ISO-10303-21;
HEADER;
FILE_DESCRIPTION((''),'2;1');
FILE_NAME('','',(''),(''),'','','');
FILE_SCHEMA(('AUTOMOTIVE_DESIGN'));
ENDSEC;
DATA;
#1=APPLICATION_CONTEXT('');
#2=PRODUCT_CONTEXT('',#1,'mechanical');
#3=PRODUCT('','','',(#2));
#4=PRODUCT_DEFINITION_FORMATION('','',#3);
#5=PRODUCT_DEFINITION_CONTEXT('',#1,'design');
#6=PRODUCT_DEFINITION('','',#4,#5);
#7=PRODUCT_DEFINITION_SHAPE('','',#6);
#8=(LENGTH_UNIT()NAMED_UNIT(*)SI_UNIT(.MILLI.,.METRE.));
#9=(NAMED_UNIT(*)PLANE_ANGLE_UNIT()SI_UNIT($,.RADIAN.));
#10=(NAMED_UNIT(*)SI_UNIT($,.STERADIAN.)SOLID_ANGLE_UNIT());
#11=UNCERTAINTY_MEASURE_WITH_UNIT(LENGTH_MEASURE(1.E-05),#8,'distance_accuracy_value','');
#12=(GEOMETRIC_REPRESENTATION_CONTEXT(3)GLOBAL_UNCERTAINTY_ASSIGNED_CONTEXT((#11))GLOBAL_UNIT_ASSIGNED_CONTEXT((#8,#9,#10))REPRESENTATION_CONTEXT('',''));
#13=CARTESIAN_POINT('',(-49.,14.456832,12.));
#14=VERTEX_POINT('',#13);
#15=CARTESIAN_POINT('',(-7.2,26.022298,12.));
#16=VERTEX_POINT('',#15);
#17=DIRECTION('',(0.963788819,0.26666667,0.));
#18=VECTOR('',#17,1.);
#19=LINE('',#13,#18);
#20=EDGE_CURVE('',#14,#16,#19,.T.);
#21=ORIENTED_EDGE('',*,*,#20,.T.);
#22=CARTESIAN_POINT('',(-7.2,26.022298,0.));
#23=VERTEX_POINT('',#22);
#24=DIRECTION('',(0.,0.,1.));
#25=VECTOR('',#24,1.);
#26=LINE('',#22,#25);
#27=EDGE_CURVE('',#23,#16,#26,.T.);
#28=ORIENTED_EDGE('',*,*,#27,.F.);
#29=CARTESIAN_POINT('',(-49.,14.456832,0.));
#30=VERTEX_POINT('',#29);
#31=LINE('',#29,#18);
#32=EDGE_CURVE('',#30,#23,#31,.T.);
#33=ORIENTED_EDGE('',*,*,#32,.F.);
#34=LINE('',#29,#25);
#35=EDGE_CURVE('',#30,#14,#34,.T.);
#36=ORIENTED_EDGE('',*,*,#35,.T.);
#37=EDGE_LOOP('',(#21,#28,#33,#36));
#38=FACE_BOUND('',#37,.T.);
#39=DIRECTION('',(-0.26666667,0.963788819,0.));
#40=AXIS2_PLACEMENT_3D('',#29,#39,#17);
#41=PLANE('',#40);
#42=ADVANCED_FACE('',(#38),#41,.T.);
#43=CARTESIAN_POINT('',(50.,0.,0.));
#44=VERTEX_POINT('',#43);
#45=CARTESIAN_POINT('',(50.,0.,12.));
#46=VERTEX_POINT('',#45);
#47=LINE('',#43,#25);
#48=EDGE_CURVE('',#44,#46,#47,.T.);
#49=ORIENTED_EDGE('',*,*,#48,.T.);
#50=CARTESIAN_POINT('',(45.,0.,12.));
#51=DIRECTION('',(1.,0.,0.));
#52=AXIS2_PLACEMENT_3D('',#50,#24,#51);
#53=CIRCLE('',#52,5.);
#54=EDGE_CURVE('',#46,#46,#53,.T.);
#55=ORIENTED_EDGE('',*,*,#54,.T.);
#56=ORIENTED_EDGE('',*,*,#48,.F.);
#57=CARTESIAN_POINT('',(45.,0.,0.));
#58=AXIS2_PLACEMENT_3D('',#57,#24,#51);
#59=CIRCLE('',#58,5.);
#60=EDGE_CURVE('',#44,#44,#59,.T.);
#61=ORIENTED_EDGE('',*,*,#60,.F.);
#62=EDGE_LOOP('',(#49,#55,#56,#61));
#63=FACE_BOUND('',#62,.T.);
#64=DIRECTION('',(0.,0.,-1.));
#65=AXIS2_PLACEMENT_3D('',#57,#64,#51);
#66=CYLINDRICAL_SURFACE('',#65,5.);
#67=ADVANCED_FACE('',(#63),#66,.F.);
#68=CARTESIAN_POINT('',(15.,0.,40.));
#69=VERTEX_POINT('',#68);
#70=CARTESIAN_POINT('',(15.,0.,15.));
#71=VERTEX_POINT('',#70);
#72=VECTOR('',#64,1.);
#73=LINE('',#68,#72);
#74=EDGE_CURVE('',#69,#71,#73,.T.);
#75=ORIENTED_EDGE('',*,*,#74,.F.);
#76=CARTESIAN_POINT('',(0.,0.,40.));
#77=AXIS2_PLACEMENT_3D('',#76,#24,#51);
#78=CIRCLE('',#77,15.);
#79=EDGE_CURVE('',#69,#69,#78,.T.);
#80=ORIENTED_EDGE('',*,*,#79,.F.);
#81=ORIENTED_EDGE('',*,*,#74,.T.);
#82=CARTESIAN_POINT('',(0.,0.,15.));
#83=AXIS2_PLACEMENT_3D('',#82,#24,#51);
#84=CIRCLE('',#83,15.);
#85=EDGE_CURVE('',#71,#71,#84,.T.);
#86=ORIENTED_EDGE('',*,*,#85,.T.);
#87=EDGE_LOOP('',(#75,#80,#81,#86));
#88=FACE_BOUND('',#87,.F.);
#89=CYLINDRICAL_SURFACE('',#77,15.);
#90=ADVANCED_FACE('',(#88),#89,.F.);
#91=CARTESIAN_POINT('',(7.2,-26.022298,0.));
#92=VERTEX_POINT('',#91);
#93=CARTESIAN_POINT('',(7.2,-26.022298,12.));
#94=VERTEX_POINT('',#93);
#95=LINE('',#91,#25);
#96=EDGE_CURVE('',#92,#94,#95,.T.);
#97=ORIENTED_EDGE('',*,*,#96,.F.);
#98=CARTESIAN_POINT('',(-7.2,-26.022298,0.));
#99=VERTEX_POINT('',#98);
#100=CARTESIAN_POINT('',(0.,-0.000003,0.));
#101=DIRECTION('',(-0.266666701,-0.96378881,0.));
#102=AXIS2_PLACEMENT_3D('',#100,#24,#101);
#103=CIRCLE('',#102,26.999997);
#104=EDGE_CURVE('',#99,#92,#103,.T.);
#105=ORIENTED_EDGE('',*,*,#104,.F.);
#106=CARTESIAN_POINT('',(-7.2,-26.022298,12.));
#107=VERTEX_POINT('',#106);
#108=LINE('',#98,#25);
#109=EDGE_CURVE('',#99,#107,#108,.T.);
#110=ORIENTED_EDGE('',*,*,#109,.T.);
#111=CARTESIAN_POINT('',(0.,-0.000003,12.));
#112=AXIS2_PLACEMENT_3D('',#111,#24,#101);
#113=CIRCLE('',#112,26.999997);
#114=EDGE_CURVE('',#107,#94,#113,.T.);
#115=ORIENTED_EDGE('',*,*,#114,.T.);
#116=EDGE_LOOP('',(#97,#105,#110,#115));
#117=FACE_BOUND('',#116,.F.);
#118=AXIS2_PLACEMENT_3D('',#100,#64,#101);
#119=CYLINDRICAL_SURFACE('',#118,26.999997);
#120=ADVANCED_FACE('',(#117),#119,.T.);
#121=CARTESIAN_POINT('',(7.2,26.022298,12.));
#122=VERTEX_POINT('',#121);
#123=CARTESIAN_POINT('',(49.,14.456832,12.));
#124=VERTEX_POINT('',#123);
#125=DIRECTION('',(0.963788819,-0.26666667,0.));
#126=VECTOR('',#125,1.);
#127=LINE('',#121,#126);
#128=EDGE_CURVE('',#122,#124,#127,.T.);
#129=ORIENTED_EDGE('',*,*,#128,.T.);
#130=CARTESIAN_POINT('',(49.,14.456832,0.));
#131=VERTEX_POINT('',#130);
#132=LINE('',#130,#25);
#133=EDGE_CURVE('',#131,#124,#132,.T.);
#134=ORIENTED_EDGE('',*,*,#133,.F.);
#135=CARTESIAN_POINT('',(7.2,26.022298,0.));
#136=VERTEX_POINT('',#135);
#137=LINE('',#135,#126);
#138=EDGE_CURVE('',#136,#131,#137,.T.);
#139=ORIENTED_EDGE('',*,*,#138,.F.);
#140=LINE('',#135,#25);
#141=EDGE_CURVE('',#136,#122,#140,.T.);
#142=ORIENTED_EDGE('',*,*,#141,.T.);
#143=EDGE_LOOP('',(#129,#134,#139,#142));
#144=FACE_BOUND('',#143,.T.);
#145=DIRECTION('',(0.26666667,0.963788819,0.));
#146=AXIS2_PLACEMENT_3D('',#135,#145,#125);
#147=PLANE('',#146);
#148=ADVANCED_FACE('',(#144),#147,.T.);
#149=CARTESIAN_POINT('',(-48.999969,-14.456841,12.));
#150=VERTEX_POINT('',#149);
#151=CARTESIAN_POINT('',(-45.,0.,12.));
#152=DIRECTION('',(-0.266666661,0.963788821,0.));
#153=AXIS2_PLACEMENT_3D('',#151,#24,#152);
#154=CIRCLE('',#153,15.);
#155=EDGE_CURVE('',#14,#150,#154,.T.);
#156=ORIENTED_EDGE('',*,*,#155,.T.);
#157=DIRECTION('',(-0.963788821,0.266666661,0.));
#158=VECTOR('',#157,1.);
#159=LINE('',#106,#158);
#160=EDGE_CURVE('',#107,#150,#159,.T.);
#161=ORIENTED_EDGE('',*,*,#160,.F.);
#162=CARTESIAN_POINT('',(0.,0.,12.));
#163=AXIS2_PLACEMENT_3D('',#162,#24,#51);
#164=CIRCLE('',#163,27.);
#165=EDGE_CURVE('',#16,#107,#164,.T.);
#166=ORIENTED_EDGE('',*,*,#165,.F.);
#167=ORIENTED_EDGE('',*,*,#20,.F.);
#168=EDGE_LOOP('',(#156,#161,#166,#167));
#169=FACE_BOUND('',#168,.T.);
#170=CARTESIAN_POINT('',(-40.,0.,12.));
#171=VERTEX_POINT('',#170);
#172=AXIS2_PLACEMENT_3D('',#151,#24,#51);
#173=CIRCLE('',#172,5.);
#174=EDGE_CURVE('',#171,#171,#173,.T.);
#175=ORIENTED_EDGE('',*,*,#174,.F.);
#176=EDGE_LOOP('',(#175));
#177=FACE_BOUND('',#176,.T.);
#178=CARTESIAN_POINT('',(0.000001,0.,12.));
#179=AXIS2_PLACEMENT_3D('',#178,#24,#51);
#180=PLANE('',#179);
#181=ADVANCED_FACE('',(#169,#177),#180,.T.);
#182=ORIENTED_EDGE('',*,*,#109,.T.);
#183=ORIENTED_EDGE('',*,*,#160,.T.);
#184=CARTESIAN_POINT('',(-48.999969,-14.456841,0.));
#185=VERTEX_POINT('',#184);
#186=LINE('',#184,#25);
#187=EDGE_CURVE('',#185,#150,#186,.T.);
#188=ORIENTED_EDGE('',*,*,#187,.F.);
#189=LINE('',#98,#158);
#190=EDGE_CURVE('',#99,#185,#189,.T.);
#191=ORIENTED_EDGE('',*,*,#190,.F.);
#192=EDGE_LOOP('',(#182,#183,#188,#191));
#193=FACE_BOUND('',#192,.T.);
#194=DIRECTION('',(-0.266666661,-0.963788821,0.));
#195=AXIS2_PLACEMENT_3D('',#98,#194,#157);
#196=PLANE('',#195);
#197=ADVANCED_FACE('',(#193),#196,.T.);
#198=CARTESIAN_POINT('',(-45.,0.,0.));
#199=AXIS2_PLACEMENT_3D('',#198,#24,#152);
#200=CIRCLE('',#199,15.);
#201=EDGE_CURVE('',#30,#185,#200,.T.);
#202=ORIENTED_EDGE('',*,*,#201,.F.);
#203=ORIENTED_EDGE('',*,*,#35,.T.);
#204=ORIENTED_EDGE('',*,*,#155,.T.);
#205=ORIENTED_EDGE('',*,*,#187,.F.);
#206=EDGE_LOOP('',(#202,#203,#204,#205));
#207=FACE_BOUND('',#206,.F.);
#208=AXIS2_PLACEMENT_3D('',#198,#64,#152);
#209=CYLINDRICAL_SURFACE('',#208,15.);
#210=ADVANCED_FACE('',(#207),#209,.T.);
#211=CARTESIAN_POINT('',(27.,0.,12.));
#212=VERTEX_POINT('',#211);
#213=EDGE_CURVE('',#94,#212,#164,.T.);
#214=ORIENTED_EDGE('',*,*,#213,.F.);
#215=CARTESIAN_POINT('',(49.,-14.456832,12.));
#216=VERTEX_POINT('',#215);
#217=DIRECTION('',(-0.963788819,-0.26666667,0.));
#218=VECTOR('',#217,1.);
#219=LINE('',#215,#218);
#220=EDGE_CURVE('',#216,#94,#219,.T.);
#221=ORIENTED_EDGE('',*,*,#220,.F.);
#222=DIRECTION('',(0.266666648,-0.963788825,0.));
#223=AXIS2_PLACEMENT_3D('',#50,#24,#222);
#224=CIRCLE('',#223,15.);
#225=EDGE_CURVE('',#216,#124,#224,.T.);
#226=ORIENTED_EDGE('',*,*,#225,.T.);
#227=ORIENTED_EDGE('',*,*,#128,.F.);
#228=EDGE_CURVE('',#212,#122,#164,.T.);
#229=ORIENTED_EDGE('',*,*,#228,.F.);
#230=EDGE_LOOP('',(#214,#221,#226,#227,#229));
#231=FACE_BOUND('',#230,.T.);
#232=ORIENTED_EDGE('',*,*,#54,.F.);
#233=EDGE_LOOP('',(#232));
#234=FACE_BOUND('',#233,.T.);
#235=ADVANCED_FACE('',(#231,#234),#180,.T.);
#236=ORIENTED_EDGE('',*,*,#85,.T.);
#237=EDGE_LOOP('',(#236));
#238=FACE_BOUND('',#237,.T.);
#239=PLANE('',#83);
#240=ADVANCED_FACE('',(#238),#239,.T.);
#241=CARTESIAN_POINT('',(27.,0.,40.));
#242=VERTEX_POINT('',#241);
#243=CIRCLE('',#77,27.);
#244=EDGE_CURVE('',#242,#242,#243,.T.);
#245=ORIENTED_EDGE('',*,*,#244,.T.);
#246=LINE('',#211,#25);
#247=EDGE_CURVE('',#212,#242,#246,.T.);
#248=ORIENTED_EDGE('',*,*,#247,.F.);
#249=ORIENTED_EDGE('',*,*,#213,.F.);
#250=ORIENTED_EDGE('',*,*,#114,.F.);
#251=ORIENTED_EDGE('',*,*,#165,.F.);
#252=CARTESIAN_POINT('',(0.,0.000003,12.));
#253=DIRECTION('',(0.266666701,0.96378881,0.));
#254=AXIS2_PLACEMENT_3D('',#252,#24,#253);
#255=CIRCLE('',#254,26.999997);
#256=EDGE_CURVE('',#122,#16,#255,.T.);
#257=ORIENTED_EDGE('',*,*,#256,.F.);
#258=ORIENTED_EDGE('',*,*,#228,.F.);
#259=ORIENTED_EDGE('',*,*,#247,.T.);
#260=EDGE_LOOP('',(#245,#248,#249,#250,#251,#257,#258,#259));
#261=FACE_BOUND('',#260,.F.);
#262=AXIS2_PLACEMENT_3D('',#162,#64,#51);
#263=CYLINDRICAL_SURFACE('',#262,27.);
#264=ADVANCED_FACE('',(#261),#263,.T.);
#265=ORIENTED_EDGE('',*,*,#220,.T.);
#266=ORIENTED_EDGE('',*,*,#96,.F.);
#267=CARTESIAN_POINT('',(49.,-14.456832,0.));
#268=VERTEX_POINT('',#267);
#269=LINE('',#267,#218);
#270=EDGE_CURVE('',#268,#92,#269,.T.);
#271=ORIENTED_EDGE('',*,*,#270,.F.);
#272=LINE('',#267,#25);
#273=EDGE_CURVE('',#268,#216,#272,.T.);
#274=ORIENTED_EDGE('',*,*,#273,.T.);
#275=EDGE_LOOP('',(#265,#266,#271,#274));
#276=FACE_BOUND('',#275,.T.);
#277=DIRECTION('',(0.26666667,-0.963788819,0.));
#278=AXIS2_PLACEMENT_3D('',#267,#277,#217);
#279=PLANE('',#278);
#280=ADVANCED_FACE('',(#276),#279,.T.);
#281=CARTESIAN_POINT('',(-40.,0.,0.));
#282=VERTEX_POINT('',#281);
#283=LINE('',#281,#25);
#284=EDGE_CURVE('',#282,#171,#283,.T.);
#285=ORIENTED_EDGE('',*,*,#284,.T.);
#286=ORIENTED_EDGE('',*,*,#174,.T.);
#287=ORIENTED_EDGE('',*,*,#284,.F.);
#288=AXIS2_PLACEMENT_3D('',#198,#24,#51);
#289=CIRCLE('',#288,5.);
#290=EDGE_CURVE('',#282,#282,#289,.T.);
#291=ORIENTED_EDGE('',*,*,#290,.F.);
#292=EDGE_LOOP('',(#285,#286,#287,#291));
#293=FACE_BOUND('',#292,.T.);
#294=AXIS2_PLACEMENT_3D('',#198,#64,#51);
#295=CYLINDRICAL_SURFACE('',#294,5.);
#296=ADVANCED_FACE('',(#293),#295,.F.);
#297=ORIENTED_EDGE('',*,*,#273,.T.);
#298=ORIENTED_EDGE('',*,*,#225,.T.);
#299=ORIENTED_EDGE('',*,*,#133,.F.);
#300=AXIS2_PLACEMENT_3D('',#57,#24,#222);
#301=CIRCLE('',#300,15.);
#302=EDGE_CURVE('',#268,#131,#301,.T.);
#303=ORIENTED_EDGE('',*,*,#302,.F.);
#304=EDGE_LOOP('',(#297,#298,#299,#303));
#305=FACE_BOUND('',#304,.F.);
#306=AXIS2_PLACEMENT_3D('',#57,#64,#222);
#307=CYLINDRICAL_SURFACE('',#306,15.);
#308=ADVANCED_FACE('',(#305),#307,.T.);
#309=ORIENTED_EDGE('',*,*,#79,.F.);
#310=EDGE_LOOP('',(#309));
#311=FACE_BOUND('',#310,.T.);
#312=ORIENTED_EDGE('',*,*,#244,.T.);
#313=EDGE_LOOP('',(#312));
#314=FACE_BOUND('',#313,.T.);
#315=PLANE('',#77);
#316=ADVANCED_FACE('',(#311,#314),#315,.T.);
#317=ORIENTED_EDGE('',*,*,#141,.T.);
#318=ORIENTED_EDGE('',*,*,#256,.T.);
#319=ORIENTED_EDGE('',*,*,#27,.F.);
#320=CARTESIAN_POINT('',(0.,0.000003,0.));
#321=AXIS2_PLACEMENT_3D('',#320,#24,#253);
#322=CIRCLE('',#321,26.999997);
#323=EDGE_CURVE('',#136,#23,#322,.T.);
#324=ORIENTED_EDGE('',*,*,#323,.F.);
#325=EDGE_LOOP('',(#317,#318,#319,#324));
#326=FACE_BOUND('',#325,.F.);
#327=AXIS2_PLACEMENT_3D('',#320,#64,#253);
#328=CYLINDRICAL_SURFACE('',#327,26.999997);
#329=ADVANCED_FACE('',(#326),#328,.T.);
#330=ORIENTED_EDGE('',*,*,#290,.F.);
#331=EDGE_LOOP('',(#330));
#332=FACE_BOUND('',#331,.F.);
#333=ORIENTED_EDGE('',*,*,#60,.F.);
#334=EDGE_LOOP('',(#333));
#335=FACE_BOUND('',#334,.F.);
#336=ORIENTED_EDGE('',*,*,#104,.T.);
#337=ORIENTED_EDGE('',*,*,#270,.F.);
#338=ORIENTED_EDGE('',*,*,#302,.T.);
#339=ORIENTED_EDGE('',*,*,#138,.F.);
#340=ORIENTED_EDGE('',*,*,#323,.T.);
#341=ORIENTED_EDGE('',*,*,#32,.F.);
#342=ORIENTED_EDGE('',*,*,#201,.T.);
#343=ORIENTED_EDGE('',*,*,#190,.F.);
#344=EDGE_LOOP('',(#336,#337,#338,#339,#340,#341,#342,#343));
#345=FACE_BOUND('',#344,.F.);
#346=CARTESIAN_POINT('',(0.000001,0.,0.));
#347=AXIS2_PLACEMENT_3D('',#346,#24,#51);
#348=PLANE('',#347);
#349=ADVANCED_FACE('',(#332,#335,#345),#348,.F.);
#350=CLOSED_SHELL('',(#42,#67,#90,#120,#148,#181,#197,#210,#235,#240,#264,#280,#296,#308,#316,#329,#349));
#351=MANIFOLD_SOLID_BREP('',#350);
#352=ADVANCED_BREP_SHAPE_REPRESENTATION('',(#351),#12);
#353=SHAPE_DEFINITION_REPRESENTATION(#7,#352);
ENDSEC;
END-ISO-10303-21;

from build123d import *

# Parameters (mm, degrees)
SKETCH_R     = 5
PAD_DEPTH    = 12
SKETCH001_R  = 27
PAD001_DEPTH = 28
SKETCH002_R  = 15
POCKET_DEPTH = 25


with BuildPart() as part:
    # Sketch → Pad (new body)
    with BuildSketch(Plane.XY):
        with BuildLine():
            ThreePointArc((7.2, 26.022298), (0, 27), (-7.2, 26.022298))
            Line((-49, 14.456832), (-7.2, 26.022298))
            ThreePointArc((-49, 14.456832), (-60, -1.6e-05), (-48.999969, -14.456841))
            Line((-7.2, -26.022298), (-48.999969, -14.456841))
            ThreePointArc((-7.2, -26.022298), (0, -27), (7.2, -26.022298))
            Line((49, -14.456832), (7.2, -26.022298))
            ThreePointArc((49, -14.456832), (60, 0), (49, 14.456832))
            Line((7.2, 26.022298), (49, 14.456832))
        make_face()
        with Locations((45, 0)):
            Circle(SKETCH_R, mode=Mode.SUBTRACT)
        with Locations((-45, 0)):
            Circle(SKETCH_R, mode=Mode.SUBTRACT)
    extrude(amount=PAD_DEPTH)

    # Sketch001 → Pad001 (new body)
    with BuildSketch(Plane.XY.offset(12)):
        Circle(SKETCH001_R)
    extrude(amount=PAD001_DEPTH)

    # Sketch002 → Pocket (cut)
    with BuildSketch(Plane.XY.offset(40)):
        Circle(SKETCH002_R)
    extrude(amount=-POCKET_DEPTH, mode=Mode.SUBTRACT)


solid = part.part
